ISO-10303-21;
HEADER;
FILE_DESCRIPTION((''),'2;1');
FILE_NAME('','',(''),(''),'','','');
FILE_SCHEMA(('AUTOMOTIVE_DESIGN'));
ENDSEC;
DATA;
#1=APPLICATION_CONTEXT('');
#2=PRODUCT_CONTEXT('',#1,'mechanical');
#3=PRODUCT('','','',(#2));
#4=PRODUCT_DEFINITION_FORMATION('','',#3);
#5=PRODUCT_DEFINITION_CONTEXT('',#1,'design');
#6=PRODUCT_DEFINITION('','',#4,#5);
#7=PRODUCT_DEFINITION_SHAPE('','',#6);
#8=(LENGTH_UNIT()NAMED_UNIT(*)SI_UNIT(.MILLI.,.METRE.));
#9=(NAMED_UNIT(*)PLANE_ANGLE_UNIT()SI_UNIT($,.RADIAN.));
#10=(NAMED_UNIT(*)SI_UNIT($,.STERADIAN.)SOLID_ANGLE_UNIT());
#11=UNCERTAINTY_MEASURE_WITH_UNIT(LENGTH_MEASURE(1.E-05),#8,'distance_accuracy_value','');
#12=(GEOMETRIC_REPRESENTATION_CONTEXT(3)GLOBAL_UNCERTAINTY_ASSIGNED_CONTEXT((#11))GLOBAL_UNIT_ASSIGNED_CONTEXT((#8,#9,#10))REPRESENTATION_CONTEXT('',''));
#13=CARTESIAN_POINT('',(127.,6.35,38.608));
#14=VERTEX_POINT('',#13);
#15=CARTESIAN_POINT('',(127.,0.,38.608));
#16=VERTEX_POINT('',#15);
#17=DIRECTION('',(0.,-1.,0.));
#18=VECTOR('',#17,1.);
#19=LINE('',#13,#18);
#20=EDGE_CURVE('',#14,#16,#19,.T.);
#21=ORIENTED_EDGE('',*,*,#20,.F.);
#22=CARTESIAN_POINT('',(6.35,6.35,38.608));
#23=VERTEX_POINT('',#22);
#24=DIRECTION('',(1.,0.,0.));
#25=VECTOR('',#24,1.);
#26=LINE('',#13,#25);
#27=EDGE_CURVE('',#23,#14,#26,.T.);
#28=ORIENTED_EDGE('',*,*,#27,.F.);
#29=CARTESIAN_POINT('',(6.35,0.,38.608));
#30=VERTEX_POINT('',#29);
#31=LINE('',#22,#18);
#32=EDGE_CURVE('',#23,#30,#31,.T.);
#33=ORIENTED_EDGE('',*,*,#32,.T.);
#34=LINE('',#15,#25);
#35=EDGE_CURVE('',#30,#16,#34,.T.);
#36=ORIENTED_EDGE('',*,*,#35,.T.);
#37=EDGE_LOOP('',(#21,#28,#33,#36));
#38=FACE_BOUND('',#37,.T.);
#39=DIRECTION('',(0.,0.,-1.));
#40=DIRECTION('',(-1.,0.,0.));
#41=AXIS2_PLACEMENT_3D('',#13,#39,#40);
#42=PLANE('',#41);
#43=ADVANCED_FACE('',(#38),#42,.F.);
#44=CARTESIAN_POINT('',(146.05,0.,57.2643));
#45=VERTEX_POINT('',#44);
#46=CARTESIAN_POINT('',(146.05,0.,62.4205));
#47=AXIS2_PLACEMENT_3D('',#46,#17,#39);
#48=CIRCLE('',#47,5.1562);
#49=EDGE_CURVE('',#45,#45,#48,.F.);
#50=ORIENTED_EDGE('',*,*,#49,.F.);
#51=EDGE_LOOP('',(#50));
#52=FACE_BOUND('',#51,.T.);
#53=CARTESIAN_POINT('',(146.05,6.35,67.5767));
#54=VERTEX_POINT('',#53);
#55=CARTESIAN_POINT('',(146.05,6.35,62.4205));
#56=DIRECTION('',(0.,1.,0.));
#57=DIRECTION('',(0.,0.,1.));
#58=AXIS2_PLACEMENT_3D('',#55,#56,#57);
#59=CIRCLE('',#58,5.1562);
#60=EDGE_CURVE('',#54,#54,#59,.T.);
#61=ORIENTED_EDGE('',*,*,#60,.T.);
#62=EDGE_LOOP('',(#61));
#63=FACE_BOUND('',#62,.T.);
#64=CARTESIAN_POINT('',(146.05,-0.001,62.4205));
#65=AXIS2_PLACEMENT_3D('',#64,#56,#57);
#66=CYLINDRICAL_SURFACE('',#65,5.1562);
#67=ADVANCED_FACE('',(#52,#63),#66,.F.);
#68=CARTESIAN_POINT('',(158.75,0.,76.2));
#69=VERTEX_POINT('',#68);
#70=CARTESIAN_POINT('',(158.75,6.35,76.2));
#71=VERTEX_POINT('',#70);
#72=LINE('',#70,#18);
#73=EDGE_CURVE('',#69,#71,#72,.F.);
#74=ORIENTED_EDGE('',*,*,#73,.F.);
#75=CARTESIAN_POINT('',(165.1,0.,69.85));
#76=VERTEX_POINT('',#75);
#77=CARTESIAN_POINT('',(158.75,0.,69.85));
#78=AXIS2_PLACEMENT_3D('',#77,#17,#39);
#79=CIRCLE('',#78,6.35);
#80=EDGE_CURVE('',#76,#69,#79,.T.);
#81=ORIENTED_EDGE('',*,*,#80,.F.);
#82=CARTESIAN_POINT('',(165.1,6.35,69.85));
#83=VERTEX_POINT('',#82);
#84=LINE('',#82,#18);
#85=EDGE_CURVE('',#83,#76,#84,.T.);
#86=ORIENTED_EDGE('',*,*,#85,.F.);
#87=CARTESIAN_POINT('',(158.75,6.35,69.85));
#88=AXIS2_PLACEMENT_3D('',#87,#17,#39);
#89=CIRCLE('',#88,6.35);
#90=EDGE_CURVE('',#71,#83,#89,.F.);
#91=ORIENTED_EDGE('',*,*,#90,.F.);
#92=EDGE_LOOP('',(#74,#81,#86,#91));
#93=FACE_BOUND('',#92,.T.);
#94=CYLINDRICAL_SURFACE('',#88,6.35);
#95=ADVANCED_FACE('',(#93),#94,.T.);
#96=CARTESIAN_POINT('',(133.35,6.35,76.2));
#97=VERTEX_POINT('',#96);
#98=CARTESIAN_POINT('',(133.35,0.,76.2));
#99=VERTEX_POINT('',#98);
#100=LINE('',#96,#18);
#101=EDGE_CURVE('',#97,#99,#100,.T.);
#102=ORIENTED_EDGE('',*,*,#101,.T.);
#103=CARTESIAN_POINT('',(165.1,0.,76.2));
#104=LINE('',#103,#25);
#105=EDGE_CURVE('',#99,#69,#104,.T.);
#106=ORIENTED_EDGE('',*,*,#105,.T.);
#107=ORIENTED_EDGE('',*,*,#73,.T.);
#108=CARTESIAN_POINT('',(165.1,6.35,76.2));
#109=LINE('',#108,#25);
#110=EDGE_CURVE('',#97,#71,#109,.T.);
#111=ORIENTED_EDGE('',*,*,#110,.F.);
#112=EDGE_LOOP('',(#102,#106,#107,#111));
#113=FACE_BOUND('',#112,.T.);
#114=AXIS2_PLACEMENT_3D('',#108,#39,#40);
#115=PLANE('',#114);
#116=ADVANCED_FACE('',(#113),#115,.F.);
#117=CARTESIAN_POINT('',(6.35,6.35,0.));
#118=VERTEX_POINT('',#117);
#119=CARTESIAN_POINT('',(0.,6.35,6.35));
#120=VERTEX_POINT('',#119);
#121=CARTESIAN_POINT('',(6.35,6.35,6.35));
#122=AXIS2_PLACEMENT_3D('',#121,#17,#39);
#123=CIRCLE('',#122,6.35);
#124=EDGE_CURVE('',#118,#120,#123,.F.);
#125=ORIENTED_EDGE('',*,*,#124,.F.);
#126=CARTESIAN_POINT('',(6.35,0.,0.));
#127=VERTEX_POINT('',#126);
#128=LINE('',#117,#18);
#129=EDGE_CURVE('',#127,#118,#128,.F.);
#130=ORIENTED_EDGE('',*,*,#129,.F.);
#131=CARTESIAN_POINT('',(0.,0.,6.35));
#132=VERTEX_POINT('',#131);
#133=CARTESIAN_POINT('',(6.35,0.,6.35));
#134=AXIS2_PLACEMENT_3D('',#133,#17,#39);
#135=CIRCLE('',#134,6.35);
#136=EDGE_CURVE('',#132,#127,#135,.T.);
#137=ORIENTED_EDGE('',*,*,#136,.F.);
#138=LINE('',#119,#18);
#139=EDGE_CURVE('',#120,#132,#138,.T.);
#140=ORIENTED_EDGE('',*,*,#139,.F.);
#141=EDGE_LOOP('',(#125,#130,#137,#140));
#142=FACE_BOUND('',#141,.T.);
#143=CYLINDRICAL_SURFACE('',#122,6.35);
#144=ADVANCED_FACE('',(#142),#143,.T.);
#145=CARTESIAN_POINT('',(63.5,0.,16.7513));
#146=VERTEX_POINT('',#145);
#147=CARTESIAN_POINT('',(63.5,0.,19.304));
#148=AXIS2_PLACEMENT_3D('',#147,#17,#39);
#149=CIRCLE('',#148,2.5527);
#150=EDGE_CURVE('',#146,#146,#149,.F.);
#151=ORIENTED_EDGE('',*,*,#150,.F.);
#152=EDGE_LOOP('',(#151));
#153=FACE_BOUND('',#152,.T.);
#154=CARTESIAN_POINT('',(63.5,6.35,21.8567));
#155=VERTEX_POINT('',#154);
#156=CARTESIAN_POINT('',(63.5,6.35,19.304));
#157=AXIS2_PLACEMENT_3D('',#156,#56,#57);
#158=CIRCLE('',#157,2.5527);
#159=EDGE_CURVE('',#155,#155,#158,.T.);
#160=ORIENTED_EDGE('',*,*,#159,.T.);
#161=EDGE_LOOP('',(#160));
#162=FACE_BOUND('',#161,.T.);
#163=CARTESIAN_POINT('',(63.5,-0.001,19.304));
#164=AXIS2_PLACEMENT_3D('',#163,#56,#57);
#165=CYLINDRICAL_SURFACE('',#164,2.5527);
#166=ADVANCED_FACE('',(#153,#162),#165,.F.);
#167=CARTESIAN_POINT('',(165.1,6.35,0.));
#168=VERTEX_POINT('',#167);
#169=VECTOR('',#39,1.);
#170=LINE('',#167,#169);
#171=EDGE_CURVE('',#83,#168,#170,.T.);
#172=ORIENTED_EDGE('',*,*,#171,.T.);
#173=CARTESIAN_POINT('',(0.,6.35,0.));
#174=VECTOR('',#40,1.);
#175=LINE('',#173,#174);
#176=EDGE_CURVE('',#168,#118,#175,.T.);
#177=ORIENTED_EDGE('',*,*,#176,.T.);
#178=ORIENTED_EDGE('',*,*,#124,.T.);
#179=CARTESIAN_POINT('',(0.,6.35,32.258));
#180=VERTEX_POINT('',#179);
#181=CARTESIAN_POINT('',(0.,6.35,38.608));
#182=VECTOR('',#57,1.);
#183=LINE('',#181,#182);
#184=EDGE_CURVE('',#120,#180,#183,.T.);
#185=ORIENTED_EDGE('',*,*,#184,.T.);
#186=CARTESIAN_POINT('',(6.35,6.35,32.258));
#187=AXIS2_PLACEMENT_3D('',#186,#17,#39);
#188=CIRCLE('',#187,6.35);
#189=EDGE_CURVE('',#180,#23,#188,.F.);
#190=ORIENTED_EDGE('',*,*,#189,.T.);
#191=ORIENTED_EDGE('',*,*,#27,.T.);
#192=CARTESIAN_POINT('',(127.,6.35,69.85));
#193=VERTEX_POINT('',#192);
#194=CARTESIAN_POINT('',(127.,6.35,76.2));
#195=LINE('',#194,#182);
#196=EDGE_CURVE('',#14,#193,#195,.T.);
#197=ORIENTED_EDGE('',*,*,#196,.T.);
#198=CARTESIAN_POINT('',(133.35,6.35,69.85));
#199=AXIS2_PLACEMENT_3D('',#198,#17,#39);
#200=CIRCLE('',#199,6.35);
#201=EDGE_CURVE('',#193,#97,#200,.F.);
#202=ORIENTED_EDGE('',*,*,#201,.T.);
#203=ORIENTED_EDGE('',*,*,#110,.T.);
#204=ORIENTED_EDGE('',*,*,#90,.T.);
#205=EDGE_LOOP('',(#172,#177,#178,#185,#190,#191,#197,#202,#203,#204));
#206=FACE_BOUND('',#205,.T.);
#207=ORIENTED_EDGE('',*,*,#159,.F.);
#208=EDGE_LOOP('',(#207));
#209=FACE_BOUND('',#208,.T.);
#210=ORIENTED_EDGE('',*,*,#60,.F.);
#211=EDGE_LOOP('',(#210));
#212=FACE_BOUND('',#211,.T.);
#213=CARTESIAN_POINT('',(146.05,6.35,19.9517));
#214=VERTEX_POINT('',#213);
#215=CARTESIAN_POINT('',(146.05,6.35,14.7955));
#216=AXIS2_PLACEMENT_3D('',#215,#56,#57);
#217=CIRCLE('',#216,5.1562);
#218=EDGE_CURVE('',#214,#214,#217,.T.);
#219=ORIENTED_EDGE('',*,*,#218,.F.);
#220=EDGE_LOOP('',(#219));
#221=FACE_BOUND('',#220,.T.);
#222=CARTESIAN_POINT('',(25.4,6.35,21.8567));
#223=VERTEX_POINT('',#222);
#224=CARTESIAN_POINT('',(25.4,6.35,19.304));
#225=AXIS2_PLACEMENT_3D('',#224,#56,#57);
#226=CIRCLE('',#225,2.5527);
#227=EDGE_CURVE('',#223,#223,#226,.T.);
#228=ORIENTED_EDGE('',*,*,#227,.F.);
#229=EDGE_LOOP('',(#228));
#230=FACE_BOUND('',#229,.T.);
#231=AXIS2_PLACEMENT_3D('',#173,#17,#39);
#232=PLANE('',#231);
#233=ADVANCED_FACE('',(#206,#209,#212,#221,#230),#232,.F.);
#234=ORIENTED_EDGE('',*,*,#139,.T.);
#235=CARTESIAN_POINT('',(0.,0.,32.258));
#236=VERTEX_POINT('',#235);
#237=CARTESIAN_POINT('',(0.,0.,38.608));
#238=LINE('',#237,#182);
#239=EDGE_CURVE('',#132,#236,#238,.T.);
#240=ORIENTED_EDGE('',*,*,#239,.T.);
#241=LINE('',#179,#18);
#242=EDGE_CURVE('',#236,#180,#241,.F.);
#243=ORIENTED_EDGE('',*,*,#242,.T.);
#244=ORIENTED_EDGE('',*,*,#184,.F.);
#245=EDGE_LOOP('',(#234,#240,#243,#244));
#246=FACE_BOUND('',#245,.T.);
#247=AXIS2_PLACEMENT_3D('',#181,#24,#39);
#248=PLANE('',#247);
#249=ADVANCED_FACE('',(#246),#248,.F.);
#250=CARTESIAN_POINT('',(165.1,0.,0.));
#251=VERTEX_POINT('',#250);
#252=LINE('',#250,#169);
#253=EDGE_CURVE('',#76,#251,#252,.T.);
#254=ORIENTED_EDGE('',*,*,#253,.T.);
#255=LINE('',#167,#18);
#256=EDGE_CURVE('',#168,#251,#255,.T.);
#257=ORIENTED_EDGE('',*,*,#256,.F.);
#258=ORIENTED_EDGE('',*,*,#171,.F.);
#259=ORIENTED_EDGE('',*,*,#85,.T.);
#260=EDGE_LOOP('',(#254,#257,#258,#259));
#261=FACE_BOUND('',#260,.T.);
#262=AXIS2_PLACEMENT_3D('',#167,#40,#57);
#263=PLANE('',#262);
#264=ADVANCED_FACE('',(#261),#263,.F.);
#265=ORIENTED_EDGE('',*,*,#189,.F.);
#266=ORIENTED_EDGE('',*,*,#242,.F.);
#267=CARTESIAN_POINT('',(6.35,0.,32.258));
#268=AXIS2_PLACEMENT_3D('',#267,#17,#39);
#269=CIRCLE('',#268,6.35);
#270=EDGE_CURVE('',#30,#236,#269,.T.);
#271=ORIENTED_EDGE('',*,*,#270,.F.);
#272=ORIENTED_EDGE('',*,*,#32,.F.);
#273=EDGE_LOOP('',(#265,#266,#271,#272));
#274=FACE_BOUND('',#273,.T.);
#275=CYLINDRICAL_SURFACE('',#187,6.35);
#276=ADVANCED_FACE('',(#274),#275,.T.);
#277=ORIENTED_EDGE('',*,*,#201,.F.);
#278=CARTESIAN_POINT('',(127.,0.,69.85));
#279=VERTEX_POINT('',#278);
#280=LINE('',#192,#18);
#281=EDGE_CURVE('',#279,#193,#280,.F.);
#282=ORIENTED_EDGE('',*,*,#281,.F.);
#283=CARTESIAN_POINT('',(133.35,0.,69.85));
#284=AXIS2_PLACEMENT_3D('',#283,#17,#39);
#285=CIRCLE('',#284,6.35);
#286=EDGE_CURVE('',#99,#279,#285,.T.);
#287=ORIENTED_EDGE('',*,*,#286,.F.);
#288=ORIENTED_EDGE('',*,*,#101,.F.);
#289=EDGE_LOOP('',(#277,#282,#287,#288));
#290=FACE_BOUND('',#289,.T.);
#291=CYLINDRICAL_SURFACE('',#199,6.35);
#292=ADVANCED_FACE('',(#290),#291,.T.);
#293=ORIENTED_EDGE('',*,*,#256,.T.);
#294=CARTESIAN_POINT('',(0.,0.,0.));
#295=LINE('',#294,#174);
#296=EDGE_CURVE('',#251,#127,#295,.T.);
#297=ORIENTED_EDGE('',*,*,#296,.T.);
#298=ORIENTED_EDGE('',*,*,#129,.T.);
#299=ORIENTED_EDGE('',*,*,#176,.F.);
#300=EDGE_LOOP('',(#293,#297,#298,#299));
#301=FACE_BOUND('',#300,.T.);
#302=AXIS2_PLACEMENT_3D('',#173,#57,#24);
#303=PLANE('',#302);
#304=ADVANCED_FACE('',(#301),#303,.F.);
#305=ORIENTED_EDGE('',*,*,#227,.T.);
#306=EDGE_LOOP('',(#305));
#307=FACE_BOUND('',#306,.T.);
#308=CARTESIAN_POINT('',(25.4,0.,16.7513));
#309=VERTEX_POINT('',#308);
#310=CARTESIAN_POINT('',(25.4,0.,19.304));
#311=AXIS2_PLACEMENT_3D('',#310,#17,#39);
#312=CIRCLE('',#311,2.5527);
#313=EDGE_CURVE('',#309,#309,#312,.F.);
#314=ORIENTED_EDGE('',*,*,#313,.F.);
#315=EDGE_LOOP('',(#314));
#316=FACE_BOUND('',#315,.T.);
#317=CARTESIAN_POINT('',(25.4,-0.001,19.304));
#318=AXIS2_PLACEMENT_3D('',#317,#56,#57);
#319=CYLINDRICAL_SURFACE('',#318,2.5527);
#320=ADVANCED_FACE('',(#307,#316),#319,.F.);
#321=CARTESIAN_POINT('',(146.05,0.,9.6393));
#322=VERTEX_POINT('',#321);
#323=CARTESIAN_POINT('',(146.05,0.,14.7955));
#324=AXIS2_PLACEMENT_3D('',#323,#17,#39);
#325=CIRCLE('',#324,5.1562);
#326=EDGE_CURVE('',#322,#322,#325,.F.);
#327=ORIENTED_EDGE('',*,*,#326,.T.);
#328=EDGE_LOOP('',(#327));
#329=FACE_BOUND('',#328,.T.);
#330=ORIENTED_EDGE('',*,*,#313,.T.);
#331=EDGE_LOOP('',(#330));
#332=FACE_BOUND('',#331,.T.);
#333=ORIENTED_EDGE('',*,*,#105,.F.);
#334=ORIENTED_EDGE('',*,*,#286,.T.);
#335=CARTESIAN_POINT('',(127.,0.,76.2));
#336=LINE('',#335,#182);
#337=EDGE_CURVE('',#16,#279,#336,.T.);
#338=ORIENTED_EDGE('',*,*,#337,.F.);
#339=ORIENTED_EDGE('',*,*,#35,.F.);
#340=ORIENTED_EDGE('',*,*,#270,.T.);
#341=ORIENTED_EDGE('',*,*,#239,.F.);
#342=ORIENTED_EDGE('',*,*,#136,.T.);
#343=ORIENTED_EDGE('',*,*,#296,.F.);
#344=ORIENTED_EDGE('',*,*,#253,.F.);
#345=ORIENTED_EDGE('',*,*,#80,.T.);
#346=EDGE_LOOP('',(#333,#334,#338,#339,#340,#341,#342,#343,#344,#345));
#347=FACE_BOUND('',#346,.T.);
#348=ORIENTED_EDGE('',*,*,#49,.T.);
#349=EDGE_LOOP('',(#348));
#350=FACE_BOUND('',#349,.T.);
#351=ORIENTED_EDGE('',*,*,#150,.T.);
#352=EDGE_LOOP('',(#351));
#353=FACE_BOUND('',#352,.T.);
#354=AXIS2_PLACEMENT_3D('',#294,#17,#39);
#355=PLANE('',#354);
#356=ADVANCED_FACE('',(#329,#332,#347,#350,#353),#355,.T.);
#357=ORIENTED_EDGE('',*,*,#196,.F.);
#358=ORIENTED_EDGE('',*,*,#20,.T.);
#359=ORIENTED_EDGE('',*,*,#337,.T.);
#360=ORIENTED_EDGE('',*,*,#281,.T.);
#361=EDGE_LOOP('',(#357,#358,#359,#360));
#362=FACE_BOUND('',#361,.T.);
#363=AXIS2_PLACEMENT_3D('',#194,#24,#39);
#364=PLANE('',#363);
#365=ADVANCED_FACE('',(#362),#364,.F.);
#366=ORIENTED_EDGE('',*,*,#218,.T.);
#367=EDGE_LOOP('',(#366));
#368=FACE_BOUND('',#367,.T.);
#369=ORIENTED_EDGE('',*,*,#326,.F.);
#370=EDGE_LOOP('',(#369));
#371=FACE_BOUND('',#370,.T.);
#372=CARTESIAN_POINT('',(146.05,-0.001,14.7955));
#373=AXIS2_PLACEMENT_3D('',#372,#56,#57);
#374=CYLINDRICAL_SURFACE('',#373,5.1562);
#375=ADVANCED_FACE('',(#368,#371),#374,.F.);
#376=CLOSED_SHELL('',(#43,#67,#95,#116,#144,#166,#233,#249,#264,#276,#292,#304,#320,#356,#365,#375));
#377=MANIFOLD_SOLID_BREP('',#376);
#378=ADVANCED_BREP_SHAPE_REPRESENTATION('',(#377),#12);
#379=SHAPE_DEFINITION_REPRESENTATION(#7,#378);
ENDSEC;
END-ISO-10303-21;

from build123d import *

# Parameters (mm, degrees)
BOSS_EXTRUDE1_DEPTH = 6.35
CUT_EXTRUDE1_REACH  = 8.35
SKETCH4_R           = 2.5527
SKETCH4_R_2         = 5.1562
FILLET1_R           = 6.35


with BuildPart() as part:
    # Sketch3 → Boss-Extrude1 (new body)
    with BuildSketch(Plane(origin=(0, 0, 0), x_dir=(1, 0, 0), z_dir=(0, 1, 0))):
        Polygon((0, 0), (165.1, 0), (165.1, -76.2), (127, -76.2), (127, -38.608), (0, -38.608), align=None)
    extrude(amount=BOSS_EXTRUDE1_DEPTH)

    # Sketch4 → Cut-Extrude1 (cut, up to next)
    with BuildSketch(Plane(origin=(0, 6.35, 0), x_dir=(1, 0, 0), z_dir=(0, 1, 0)), mode=Mode.PRIVATE) as cut_extrude1_sk1:
        with Locations((25.4, -19.304)):
            Circle(SKETCH4_R)
    cut_extrude1_tool1 = extrude(cut_extrude1_sk1.sketch, amount=-CUT_EXTRUDE1_REACH, mode=Mode.PRIVATE) & part.part
    add(cut_extrude1_tool1.solids().sort_by_distance((25.4, 6.35, 19.304))[0], mode=Mode.SUBTRACT)
    # Sketch4 → Cut-Extrude1 (cut, up to next)
    with BuildSketch(Plane(origin=(0, 6.35, 0), x_dir=(1, 0, 0), z_dir=(0, 1, 0)), mode=Mode.PRIVATE) as cut_extrude1_sk2:
        with Locations((63.5, -19.304)):
            Circle(SKETCH4_R)
    cut_extrude1_tool2 = extrude(cut_extrude1_sk2.sketch, amount=-CUT_EXTRUDE1_REACH, mode=Mode.PRIVATE) & part.part
    add(cut_extrude1_tool2.solids().sort_by_distance((63.5, 6.35, 19.304))[0], mode=Mode.SUBTRACT)
    # Sketch4 → Cut-Extrude1 (cut, up to next)
    with BuildSketch(Plane(origin=(0, 6.35, 0), x_dir=(1, 0, 0), z_dir=(0, 1, 0)), mode=Mode.PRIVATE) as cut_extrude1_sk3:
        with Locations((146.05, -14.7955)):
            Circle(SKETCH4_R_2)
    cut_extrude1_tool3 = extrude(cut_extrude1_sk3.sketch, amount=-CUT_EXTRUDE1_REACH, mode=Mode.PRIVATE) & part.part
    add(cut_extrude1_tool3.solids().sort_by_distance((146.05, 6.35, 14.7955))[0], mode=Mode.SUBTRACT)
    # Sketch4 → Cut-Extrude1 (cut, up to next)
    with BuildSketch(Plane(origin=(0, 6.35, 0), x_dir=(1, 0, 0), z_dir=(0, 1, 0)), mode=Mode.PRIVATE) as cut_extrude1_sk4:
        with Locations((146.05, -62.4205)):
            Circle(SKETCH4_R_2)
    cut_extrude1_tool4 = extrude(cut_extrude1_sk4.sketch, amount=-CUT_EXTRUDE1_REACH, mode=Mode.PRIVATE) & part.part
    add(cut_extrude1_tool4.solids().sort_by_distance((146.05, 6.35, 62.4205))[0], mode=Mode.SUBTRACT)

    # Fillet1
    fillet1_edges = [part.edges().sort_by_distance(p)[0] for p in [
        (0, 3.175, 0),
        (165.1, 3.175, 76.2),
        (127, 3.175, 76.2),
        (0, 3.175, 38.608),
    ]]
    fillet(fillet1_edges, radius=FILLET1_R)


solid = part.part
